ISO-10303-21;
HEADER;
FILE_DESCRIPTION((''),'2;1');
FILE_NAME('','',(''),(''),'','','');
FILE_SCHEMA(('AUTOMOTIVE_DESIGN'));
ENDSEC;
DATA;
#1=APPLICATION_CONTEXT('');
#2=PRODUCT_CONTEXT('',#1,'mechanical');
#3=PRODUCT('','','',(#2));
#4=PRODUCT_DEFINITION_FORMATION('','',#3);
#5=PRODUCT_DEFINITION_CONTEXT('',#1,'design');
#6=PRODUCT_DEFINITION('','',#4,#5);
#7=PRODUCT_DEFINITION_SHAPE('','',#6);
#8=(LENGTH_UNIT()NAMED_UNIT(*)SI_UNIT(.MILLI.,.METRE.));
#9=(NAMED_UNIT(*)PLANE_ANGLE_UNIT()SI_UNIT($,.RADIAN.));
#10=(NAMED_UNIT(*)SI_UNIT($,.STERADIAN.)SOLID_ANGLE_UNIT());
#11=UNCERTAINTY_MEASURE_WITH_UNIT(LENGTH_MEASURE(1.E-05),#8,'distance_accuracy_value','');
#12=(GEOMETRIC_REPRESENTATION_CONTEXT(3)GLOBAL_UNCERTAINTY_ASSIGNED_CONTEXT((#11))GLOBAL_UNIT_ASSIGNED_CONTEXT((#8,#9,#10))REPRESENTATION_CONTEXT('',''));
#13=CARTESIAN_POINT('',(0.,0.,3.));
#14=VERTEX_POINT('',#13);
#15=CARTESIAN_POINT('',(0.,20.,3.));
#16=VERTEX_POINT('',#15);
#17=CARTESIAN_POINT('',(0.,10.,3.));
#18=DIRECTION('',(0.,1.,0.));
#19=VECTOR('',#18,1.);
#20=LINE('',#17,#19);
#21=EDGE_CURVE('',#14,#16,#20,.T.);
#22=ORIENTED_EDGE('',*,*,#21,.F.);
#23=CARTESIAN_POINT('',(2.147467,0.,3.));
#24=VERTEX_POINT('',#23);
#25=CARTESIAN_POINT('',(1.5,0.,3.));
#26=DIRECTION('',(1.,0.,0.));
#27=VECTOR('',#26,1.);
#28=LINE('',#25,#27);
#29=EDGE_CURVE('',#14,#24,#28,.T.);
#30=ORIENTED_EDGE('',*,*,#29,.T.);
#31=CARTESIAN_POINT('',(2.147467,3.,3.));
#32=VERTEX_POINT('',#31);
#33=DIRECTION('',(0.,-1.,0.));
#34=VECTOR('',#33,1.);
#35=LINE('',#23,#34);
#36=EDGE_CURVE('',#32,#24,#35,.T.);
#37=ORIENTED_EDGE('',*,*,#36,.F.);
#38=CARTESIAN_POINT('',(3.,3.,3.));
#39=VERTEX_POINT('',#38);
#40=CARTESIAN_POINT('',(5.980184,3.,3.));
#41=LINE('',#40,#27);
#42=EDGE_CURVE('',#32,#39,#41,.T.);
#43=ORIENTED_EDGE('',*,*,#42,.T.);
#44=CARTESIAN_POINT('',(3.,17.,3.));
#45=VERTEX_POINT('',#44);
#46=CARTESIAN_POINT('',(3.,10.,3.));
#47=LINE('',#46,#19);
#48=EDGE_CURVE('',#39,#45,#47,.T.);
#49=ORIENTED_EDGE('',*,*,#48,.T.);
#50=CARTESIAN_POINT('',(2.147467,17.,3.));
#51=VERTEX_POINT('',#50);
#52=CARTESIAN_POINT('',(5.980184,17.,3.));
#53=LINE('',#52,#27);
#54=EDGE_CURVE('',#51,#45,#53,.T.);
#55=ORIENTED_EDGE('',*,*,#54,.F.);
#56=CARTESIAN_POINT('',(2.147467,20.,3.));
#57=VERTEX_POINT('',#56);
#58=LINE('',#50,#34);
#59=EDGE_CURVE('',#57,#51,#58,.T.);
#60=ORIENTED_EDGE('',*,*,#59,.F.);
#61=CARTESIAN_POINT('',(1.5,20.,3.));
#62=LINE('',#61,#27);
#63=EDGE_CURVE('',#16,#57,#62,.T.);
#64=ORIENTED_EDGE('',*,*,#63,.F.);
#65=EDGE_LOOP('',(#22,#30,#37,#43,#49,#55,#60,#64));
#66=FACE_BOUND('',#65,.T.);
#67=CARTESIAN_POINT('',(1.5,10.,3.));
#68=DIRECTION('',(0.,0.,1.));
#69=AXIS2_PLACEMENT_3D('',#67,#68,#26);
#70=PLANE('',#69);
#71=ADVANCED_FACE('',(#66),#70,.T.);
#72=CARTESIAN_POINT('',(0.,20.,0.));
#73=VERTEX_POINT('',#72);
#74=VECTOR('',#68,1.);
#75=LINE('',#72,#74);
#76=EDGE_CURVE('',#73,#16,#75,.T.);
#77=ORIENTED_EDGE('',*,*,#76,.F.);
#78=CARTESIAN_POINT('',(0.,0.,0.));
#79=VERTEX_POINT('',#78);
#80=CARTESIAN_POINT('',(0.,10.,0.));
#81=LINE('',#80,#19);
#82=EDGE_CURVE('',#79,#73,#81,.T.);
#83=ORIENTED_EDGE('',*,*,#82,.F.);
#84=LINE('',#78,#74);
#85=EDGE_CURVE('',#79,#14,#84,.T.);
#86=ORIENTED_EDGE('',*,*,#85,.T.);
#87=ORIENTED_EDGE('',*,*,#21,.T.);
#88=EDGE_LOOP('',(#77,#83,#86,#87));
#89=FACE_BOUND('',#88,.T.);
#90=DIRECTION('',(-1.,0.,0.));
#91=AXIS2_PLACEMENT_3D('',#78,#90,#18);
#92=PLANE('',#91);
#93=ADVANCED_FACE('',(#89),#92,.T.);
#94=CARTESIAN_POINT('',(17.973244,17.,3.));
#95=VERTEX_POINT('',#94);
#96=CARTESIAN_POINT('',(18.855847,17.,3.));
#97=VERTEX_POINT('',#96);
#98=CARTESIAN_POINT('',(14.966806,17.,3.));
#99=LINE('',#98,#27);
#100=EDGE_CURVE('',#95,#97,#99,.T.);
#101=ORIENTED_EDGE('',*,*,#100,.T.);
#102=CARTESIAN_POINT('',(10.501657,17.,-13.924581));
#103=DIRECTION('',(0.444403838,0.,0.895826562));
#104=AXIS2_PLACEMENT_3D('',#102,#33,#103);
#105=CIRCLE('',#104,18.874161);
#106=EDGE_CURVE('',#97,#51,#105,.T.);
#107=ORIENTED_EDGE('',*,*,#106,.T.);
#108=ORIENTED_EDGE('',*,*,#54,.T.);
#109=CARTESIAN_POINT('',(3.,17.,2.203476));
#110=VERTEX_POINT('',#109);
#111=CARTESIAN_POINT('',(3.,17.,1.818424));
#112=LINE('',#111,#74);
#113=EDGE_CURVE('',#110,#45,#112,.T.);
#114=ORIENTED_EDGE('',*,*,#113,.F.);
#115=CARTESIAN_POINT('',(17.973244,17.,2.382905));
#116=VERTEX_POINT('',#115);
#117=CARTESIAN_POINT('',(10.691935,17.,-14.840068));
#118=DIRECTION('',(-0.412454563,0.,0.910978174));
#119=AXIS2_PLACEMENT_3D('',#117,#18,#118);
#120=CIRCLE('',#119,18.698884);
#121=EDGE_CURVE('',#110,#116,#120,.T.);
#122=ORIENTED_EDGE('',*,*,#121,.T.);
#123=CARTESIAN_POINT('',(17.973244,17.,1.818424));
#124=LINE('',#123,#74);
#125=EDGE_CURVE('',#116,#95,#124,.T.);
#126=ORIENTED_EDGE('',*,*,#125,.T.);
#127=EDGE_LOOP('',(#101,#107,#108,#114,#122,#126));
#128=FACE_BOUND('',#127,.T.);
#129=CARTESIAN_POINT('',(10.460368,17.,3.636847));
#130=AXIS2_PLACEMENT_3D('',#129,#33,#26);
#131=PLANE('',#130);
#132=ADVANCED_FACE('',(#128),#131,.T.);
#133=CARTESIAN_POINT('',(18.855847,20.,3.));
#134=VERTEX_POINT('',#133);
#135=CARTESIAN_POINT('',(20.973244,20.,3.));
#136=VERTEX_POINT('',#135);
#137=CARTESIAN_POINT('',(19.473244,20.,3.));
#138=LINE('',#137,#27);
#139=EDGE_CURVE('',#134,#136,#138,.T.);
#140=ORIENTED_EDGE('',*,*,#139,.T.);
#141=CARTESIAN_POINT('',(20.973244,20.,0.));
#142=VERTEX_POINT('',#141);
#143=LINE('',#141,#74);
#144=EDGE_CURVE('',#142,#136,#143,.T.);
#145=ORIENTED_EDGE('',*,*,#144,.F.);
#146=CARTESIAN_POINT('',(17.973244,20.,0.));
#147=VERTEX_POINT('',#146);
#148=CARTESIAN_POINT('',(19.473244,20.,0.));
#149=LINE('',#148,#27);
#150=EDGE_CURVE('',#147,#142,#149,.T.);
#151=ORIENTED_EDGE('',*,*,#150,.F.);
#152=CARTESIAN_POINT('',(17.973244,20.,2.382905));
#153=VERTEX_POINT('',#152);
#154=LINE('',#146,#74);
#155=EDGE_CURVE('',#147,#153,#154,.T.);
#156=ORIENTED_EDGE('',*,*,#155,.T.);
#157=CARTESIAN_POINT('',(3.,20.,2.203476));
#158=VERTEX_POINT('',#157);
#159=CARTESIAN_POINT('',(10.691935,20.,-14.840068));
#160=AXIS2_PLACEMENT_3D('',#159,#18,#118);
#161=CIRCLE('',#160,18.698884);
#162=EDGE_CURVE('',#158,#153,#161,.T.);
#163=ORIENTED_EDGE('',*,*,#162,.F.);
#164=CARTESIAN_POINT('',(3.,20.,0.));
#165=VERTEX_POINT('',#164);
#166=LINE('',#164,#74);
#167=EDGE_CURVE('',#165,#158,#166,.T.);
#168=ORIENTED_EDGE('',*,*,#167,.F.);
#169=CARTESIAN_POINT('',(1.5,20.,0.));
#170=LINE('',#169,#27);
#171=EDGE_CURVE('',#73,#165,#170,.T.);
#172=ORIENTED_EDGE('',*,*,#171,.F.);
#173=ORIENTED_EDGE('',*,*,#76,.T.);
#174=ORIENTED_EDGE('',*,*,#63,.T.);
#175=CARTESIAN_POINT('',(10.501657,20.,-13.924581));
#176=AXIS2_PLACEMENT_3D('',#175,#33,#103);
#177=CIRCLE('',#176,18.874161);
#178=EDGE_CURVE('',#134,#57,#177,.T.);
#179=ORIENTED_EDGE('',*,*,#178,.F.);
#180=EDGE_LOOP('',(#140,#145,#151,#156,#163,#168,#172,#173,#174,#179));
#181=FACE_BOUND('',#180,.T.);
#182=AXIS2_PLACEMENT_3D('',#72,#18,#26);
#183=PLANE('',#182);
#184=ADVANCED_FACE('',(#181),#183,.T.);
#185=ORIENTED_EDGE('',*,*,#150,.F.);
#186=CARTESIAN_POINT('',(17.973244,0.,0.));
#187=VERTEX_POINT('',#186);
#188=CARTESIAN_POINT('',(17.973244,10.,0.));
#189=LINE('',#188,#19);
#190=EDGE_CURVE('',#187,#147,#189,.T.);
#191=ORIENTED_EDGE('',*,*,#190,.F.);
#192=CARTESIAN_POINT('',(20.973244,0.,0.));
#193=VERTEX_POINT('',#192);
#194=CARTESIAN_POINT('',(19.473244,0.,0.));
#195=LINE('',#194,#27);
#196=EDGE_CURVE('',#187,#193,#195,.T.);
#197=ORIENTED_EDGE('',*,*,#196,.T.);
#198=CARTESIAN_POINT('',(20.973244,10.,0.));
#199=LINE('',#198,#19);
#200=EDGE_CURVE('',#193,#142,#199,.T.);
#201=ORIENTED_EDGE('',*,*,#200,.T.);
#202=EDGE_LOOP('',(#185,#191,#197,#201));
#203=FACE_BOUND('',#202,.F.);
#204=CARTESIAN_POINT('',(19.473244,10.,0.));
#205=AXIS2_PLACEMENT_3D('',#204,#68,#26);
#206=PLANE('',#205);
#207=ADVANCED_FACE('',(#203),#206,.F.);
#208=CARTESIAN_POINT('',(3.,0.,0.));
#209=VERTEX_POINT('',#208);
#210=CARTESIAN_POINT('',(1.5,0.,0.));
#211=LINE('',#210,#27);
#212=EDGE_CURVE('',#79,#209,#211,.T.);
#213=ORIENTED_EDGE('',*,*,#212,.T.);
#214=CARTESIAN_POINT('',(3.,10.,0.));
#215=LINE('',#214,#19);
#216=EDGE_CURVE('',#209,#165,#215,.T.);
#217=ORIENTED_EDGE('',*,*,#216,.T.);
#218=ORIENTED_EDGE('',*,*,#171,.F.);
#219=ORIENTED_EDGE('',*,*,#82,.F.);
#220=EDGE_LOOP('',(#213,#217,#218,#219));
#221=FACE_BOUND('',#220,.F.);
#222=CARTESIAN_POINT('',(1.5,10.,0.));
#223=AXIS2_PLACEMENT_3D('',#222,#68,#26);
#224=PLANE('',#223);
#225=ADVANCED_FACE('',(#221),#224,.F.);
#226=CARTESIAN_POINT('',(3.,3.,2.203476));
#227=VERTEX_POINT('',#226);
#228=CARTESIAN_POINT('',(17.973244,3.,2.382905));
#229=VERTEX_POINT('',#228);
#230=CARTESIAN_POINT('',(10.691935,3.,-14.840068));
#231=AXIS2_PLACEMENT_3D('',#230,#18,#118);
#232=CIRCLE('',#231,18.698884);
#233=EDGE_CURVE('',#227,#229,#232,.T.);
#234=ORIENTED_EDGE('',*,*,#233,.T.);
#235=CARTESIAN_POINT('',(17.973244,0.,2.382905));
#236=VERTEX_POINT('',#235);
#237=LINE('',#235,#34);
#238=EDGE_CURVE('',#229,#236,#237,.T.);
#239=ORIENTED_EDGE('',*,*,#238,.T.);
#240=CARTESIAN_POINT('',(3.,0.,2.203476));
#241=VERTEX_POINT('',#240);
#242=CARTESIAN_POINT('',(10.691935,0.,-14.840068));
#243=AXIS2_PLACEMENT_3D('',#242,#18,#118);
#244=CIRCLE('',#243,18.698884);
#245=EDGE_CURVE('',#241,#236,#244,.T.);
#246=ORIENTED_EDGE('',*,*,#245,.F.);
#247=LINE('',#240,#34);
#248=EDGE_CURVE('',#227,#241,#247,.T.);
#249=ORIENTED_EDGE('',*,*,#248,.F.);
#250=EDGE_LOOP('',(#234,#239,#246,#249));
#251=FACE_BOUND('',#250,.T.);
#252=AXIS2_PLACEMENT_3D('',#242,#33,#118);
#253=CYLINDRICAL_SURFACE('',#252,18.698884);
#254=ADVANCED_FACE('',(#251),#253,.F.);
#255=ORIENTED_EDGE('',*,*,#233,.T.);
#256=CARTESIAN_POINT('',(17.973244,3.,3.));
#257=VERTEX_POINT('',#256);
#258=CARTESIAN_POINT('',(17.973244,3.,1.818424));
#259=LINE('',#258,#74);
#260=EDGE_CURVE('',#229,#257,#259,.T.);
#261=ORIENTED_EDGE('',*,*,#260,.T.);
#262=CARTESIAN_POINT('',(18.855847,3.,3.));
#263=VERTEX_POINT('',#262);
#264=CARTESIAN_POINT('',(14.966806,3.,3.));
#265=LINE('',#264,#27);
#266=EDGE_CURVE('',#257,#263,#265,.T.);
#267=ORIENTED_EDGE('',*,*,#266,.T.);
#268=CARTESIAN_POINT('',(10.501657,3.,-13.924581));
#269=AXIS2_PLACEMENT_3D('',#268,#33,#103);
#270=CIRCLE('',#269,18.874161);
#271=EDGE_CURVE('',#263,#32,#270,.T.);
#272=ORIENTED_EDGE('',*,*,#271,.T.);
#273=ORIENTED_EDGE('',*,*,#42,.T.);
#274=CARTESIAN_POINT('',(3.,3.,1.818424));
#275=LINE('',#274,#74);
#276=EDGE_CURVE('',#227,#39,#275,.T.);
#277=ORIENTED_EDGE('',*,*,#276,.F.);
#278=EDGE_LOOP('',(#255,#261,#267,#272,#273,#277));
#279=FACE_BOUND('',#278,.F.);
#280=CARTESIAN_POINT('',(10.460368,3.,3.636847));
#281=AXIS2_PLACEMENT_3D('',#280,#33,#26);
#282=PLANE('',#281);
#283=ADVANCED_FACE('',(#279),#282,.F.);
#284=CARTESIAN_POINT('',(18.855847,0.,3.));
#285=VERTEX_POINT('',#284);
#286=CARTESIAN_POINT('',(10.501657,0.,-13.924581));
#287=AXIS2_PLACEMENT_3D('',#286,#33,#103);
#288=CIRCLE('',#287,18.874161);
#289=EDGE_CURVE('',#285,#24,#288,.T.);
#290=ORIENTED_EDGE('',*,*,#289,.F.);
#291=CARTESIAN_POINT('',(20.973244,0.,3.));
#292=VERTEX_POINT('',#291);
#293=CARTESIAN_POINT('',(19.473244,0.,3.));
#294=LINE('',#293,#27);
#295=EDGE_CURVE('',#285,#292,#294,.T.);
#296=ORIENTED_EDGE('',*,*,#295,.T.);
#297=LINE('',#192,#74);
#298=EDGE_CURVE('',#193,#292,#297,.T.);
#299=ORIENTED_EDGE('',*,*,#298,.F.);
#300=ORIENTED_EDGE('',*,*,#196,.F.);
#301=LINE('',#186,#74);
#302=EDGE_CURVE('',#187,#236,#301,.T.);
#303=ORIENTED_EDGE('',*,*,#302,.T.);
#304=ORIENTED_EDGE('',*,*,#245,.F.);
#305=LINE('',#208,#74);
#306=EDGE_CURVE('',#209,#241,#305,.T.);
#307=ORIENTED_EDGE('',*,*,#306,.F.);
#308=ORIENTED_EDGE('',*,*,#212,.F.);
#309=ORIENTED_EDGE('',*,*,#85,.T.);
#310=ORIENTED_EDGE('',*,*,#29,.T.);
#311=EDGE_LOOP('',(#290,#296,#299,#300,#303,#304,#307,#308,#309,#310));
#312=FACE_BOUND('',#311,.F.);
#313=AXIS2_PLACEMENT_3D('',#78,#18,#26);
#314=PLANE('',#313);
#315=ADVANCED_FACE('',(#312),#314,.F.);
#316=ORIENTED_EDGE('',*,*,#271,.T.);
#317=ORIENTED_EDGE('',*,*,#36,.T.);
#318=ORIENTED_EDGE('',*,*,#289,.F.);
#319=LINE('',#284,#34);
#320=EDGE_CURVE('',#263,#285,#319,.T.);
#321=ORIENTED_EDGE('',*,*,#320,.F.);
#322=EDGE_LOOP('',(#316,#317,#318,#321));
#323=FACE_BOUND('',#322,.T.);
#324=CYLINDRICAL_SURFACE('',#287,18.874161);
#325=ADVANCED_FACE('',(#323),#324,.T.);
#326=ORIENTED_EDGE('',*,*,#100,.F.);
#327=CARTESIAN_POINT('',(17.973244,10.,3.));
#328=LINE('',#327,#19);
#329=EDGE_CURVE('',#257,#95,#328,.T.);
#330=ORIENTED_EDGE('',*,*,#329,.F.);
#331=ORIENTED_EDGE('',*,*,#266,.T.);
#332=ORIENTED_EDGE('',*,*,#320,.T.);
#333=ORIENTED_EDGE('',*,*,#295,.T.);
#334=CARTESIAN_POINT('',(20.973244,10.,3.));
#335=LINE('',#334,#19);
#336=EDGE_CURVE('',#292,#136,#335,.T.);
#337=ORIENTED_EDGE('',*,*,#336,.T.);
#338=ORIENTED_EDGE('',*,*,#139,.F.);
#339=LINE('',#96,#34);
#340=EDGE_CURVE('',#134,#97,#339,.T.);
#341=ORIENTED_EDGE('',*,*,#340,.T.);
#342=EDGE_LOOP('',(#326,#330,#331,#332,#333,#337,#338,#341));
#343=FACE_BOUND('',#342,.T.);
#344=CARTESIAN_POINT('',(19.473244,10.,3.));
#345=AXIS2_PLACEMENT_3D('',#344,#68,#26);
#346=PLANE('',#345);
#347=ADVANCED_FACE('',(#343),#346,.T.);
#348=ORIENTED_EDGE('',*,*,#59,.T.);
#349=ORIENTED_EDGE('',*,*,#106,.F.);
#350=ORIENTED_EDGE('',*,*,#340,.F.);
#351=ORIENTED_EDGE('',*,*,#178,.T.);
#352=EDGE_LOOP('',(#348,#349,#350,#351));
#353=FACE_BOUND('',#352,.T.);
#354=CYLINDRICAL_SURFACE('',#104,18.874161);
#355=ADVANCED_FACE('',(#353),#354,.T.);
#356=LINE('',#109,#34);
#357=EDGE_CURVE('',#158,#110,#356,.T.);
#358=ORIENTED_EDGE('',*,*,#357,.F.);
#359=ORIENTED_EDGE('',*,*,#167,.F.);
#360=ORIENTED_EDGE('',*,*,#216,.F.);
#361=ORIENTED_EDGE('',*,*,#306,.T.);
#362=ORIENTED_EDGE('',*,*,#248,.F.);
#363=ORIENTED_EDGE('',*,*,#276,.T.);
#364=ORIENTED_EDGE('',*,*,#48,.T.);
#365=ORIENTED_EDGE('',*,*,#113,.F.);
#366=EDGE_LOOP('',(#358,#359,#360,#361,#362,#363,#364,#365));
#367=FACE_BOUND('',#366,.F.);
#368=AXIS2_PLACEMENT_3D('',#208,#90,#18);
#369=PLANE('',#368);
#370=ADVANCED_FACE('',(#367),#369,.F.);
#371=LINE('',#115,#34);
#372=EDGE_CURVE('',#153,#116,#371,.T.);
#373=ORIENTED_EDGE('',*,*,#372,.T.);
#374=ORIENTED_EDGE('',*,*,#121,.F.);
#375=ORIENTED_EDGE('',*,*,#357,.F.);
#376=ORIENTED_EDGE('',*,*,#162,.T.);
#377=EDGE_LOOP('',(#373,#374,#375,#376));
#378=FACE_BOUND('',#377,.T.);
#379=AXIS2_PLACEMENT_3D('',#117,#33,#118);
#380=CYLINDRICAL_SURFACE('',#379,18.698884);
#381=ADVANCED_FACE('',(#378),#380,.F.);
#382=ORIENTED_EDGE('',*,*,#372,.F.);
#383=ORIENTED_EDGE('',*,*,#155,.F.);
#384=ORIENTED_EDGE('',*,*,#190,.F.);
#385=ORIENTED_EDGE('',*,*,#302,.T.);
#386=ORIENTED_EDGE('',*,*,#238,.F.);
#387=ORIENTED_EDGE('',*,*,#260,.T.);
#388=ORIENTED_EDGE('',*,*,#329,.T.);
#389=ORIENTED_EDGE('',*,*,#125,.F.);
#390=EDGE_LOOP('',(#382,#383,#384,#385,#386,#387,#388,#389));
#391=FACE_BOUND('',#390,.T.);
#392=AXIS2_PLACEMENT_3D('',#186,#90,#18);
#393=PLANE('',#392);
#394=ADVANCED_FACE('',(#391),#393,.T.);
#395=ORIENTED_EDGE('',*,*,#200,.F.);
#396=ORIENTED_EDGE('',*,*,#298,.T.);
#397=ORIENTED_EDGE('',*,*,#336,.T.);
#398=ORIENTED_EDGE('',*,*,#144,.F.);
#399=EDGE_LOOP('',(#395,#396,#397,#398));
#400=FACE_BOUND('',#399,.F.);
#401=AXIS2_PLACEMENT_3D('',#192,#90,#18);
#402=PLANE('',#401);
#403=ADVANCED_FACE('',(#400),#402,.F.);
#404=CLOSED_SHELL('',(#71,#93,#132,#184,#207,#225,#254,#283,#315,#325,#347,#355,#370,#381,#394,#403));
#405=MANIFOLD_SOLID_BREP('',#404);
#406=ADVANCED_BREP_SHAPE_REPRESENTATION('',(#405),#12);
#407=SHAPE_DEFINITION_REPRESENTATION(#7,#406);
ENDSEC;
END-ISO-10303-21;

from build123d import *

# Parameters (mm, degrees)
F0_W     = 3
F0_H     = 20
F1_DEPTH = 3
F3_DEPTH = 3
F4_START = -17
F4_DEPTH = 3


with BuildPart() as f1:
    # F0 (on Top) → F1 (new body)
    with BuildSketch(Plane.XY):
        with Locations((1.5, 10)):
            Rectangle(F0_W, F0_H)
    extrude(amount=F1_DEPTH)



with BuildPart() as f1b:
    # F0 (on Top) → F1, piece 2 (new body)
    with BuildSketch(Plane.XY):
        with Locations((19.4732441902, 10)):
            Rectangle(F0_W, F0_H)
    extrude(amount=F1_DEPTH)


with BuildPart() as f1_1:
    add(f1.part)

    add(f1b.part)  # F3 merges F1b
    # F2 (on Front) → F3 (join)
    with BuildSketch(Plane.XZ):
        with BuildLine():
            ThreePointArc((2.9794946313, 2.1942069288), (10.4704971824, 3.8575045035), (17.9987903684, 2.37208209))
            Line((17.9987903684, 2.37208209), (18.889406696, 2.9833931476))
            ThreePointArc((18.889406696, 2.9833931476), (10.4870498812, 4.9495737182), (2.087746514, 2.970389789))
            Line((2.087746514, 2.970389789), (2.9794946313, 2.1942069288))
        make_face()
    extrude(amount=-F3_DEPTH)

    # F2 (on Front) → F4 (join)
    with BuildSketch(Plane.XZ.offset(F4_START)):
        with BuildLine():
            ThreePointArc((2.9794946313, 2.1942069288), (10.4704971824, 3.8575045035), (17.9987903684, 2.37208209))
            Line((17.9987903684, 2.37208209), (18.889406696, 2.9833931476))
            ThreePointArc((18.889406696, 2.9833931476), (10.4870498812, 4.9495737182), (2.087746514, 2.970389789))
            Line((2.087746514, 2.970389789), (2.9794946313, 2.1942069288))
        make_face()
    extrude(amount=-F4_DEPTH)


solid = f1_1.part
